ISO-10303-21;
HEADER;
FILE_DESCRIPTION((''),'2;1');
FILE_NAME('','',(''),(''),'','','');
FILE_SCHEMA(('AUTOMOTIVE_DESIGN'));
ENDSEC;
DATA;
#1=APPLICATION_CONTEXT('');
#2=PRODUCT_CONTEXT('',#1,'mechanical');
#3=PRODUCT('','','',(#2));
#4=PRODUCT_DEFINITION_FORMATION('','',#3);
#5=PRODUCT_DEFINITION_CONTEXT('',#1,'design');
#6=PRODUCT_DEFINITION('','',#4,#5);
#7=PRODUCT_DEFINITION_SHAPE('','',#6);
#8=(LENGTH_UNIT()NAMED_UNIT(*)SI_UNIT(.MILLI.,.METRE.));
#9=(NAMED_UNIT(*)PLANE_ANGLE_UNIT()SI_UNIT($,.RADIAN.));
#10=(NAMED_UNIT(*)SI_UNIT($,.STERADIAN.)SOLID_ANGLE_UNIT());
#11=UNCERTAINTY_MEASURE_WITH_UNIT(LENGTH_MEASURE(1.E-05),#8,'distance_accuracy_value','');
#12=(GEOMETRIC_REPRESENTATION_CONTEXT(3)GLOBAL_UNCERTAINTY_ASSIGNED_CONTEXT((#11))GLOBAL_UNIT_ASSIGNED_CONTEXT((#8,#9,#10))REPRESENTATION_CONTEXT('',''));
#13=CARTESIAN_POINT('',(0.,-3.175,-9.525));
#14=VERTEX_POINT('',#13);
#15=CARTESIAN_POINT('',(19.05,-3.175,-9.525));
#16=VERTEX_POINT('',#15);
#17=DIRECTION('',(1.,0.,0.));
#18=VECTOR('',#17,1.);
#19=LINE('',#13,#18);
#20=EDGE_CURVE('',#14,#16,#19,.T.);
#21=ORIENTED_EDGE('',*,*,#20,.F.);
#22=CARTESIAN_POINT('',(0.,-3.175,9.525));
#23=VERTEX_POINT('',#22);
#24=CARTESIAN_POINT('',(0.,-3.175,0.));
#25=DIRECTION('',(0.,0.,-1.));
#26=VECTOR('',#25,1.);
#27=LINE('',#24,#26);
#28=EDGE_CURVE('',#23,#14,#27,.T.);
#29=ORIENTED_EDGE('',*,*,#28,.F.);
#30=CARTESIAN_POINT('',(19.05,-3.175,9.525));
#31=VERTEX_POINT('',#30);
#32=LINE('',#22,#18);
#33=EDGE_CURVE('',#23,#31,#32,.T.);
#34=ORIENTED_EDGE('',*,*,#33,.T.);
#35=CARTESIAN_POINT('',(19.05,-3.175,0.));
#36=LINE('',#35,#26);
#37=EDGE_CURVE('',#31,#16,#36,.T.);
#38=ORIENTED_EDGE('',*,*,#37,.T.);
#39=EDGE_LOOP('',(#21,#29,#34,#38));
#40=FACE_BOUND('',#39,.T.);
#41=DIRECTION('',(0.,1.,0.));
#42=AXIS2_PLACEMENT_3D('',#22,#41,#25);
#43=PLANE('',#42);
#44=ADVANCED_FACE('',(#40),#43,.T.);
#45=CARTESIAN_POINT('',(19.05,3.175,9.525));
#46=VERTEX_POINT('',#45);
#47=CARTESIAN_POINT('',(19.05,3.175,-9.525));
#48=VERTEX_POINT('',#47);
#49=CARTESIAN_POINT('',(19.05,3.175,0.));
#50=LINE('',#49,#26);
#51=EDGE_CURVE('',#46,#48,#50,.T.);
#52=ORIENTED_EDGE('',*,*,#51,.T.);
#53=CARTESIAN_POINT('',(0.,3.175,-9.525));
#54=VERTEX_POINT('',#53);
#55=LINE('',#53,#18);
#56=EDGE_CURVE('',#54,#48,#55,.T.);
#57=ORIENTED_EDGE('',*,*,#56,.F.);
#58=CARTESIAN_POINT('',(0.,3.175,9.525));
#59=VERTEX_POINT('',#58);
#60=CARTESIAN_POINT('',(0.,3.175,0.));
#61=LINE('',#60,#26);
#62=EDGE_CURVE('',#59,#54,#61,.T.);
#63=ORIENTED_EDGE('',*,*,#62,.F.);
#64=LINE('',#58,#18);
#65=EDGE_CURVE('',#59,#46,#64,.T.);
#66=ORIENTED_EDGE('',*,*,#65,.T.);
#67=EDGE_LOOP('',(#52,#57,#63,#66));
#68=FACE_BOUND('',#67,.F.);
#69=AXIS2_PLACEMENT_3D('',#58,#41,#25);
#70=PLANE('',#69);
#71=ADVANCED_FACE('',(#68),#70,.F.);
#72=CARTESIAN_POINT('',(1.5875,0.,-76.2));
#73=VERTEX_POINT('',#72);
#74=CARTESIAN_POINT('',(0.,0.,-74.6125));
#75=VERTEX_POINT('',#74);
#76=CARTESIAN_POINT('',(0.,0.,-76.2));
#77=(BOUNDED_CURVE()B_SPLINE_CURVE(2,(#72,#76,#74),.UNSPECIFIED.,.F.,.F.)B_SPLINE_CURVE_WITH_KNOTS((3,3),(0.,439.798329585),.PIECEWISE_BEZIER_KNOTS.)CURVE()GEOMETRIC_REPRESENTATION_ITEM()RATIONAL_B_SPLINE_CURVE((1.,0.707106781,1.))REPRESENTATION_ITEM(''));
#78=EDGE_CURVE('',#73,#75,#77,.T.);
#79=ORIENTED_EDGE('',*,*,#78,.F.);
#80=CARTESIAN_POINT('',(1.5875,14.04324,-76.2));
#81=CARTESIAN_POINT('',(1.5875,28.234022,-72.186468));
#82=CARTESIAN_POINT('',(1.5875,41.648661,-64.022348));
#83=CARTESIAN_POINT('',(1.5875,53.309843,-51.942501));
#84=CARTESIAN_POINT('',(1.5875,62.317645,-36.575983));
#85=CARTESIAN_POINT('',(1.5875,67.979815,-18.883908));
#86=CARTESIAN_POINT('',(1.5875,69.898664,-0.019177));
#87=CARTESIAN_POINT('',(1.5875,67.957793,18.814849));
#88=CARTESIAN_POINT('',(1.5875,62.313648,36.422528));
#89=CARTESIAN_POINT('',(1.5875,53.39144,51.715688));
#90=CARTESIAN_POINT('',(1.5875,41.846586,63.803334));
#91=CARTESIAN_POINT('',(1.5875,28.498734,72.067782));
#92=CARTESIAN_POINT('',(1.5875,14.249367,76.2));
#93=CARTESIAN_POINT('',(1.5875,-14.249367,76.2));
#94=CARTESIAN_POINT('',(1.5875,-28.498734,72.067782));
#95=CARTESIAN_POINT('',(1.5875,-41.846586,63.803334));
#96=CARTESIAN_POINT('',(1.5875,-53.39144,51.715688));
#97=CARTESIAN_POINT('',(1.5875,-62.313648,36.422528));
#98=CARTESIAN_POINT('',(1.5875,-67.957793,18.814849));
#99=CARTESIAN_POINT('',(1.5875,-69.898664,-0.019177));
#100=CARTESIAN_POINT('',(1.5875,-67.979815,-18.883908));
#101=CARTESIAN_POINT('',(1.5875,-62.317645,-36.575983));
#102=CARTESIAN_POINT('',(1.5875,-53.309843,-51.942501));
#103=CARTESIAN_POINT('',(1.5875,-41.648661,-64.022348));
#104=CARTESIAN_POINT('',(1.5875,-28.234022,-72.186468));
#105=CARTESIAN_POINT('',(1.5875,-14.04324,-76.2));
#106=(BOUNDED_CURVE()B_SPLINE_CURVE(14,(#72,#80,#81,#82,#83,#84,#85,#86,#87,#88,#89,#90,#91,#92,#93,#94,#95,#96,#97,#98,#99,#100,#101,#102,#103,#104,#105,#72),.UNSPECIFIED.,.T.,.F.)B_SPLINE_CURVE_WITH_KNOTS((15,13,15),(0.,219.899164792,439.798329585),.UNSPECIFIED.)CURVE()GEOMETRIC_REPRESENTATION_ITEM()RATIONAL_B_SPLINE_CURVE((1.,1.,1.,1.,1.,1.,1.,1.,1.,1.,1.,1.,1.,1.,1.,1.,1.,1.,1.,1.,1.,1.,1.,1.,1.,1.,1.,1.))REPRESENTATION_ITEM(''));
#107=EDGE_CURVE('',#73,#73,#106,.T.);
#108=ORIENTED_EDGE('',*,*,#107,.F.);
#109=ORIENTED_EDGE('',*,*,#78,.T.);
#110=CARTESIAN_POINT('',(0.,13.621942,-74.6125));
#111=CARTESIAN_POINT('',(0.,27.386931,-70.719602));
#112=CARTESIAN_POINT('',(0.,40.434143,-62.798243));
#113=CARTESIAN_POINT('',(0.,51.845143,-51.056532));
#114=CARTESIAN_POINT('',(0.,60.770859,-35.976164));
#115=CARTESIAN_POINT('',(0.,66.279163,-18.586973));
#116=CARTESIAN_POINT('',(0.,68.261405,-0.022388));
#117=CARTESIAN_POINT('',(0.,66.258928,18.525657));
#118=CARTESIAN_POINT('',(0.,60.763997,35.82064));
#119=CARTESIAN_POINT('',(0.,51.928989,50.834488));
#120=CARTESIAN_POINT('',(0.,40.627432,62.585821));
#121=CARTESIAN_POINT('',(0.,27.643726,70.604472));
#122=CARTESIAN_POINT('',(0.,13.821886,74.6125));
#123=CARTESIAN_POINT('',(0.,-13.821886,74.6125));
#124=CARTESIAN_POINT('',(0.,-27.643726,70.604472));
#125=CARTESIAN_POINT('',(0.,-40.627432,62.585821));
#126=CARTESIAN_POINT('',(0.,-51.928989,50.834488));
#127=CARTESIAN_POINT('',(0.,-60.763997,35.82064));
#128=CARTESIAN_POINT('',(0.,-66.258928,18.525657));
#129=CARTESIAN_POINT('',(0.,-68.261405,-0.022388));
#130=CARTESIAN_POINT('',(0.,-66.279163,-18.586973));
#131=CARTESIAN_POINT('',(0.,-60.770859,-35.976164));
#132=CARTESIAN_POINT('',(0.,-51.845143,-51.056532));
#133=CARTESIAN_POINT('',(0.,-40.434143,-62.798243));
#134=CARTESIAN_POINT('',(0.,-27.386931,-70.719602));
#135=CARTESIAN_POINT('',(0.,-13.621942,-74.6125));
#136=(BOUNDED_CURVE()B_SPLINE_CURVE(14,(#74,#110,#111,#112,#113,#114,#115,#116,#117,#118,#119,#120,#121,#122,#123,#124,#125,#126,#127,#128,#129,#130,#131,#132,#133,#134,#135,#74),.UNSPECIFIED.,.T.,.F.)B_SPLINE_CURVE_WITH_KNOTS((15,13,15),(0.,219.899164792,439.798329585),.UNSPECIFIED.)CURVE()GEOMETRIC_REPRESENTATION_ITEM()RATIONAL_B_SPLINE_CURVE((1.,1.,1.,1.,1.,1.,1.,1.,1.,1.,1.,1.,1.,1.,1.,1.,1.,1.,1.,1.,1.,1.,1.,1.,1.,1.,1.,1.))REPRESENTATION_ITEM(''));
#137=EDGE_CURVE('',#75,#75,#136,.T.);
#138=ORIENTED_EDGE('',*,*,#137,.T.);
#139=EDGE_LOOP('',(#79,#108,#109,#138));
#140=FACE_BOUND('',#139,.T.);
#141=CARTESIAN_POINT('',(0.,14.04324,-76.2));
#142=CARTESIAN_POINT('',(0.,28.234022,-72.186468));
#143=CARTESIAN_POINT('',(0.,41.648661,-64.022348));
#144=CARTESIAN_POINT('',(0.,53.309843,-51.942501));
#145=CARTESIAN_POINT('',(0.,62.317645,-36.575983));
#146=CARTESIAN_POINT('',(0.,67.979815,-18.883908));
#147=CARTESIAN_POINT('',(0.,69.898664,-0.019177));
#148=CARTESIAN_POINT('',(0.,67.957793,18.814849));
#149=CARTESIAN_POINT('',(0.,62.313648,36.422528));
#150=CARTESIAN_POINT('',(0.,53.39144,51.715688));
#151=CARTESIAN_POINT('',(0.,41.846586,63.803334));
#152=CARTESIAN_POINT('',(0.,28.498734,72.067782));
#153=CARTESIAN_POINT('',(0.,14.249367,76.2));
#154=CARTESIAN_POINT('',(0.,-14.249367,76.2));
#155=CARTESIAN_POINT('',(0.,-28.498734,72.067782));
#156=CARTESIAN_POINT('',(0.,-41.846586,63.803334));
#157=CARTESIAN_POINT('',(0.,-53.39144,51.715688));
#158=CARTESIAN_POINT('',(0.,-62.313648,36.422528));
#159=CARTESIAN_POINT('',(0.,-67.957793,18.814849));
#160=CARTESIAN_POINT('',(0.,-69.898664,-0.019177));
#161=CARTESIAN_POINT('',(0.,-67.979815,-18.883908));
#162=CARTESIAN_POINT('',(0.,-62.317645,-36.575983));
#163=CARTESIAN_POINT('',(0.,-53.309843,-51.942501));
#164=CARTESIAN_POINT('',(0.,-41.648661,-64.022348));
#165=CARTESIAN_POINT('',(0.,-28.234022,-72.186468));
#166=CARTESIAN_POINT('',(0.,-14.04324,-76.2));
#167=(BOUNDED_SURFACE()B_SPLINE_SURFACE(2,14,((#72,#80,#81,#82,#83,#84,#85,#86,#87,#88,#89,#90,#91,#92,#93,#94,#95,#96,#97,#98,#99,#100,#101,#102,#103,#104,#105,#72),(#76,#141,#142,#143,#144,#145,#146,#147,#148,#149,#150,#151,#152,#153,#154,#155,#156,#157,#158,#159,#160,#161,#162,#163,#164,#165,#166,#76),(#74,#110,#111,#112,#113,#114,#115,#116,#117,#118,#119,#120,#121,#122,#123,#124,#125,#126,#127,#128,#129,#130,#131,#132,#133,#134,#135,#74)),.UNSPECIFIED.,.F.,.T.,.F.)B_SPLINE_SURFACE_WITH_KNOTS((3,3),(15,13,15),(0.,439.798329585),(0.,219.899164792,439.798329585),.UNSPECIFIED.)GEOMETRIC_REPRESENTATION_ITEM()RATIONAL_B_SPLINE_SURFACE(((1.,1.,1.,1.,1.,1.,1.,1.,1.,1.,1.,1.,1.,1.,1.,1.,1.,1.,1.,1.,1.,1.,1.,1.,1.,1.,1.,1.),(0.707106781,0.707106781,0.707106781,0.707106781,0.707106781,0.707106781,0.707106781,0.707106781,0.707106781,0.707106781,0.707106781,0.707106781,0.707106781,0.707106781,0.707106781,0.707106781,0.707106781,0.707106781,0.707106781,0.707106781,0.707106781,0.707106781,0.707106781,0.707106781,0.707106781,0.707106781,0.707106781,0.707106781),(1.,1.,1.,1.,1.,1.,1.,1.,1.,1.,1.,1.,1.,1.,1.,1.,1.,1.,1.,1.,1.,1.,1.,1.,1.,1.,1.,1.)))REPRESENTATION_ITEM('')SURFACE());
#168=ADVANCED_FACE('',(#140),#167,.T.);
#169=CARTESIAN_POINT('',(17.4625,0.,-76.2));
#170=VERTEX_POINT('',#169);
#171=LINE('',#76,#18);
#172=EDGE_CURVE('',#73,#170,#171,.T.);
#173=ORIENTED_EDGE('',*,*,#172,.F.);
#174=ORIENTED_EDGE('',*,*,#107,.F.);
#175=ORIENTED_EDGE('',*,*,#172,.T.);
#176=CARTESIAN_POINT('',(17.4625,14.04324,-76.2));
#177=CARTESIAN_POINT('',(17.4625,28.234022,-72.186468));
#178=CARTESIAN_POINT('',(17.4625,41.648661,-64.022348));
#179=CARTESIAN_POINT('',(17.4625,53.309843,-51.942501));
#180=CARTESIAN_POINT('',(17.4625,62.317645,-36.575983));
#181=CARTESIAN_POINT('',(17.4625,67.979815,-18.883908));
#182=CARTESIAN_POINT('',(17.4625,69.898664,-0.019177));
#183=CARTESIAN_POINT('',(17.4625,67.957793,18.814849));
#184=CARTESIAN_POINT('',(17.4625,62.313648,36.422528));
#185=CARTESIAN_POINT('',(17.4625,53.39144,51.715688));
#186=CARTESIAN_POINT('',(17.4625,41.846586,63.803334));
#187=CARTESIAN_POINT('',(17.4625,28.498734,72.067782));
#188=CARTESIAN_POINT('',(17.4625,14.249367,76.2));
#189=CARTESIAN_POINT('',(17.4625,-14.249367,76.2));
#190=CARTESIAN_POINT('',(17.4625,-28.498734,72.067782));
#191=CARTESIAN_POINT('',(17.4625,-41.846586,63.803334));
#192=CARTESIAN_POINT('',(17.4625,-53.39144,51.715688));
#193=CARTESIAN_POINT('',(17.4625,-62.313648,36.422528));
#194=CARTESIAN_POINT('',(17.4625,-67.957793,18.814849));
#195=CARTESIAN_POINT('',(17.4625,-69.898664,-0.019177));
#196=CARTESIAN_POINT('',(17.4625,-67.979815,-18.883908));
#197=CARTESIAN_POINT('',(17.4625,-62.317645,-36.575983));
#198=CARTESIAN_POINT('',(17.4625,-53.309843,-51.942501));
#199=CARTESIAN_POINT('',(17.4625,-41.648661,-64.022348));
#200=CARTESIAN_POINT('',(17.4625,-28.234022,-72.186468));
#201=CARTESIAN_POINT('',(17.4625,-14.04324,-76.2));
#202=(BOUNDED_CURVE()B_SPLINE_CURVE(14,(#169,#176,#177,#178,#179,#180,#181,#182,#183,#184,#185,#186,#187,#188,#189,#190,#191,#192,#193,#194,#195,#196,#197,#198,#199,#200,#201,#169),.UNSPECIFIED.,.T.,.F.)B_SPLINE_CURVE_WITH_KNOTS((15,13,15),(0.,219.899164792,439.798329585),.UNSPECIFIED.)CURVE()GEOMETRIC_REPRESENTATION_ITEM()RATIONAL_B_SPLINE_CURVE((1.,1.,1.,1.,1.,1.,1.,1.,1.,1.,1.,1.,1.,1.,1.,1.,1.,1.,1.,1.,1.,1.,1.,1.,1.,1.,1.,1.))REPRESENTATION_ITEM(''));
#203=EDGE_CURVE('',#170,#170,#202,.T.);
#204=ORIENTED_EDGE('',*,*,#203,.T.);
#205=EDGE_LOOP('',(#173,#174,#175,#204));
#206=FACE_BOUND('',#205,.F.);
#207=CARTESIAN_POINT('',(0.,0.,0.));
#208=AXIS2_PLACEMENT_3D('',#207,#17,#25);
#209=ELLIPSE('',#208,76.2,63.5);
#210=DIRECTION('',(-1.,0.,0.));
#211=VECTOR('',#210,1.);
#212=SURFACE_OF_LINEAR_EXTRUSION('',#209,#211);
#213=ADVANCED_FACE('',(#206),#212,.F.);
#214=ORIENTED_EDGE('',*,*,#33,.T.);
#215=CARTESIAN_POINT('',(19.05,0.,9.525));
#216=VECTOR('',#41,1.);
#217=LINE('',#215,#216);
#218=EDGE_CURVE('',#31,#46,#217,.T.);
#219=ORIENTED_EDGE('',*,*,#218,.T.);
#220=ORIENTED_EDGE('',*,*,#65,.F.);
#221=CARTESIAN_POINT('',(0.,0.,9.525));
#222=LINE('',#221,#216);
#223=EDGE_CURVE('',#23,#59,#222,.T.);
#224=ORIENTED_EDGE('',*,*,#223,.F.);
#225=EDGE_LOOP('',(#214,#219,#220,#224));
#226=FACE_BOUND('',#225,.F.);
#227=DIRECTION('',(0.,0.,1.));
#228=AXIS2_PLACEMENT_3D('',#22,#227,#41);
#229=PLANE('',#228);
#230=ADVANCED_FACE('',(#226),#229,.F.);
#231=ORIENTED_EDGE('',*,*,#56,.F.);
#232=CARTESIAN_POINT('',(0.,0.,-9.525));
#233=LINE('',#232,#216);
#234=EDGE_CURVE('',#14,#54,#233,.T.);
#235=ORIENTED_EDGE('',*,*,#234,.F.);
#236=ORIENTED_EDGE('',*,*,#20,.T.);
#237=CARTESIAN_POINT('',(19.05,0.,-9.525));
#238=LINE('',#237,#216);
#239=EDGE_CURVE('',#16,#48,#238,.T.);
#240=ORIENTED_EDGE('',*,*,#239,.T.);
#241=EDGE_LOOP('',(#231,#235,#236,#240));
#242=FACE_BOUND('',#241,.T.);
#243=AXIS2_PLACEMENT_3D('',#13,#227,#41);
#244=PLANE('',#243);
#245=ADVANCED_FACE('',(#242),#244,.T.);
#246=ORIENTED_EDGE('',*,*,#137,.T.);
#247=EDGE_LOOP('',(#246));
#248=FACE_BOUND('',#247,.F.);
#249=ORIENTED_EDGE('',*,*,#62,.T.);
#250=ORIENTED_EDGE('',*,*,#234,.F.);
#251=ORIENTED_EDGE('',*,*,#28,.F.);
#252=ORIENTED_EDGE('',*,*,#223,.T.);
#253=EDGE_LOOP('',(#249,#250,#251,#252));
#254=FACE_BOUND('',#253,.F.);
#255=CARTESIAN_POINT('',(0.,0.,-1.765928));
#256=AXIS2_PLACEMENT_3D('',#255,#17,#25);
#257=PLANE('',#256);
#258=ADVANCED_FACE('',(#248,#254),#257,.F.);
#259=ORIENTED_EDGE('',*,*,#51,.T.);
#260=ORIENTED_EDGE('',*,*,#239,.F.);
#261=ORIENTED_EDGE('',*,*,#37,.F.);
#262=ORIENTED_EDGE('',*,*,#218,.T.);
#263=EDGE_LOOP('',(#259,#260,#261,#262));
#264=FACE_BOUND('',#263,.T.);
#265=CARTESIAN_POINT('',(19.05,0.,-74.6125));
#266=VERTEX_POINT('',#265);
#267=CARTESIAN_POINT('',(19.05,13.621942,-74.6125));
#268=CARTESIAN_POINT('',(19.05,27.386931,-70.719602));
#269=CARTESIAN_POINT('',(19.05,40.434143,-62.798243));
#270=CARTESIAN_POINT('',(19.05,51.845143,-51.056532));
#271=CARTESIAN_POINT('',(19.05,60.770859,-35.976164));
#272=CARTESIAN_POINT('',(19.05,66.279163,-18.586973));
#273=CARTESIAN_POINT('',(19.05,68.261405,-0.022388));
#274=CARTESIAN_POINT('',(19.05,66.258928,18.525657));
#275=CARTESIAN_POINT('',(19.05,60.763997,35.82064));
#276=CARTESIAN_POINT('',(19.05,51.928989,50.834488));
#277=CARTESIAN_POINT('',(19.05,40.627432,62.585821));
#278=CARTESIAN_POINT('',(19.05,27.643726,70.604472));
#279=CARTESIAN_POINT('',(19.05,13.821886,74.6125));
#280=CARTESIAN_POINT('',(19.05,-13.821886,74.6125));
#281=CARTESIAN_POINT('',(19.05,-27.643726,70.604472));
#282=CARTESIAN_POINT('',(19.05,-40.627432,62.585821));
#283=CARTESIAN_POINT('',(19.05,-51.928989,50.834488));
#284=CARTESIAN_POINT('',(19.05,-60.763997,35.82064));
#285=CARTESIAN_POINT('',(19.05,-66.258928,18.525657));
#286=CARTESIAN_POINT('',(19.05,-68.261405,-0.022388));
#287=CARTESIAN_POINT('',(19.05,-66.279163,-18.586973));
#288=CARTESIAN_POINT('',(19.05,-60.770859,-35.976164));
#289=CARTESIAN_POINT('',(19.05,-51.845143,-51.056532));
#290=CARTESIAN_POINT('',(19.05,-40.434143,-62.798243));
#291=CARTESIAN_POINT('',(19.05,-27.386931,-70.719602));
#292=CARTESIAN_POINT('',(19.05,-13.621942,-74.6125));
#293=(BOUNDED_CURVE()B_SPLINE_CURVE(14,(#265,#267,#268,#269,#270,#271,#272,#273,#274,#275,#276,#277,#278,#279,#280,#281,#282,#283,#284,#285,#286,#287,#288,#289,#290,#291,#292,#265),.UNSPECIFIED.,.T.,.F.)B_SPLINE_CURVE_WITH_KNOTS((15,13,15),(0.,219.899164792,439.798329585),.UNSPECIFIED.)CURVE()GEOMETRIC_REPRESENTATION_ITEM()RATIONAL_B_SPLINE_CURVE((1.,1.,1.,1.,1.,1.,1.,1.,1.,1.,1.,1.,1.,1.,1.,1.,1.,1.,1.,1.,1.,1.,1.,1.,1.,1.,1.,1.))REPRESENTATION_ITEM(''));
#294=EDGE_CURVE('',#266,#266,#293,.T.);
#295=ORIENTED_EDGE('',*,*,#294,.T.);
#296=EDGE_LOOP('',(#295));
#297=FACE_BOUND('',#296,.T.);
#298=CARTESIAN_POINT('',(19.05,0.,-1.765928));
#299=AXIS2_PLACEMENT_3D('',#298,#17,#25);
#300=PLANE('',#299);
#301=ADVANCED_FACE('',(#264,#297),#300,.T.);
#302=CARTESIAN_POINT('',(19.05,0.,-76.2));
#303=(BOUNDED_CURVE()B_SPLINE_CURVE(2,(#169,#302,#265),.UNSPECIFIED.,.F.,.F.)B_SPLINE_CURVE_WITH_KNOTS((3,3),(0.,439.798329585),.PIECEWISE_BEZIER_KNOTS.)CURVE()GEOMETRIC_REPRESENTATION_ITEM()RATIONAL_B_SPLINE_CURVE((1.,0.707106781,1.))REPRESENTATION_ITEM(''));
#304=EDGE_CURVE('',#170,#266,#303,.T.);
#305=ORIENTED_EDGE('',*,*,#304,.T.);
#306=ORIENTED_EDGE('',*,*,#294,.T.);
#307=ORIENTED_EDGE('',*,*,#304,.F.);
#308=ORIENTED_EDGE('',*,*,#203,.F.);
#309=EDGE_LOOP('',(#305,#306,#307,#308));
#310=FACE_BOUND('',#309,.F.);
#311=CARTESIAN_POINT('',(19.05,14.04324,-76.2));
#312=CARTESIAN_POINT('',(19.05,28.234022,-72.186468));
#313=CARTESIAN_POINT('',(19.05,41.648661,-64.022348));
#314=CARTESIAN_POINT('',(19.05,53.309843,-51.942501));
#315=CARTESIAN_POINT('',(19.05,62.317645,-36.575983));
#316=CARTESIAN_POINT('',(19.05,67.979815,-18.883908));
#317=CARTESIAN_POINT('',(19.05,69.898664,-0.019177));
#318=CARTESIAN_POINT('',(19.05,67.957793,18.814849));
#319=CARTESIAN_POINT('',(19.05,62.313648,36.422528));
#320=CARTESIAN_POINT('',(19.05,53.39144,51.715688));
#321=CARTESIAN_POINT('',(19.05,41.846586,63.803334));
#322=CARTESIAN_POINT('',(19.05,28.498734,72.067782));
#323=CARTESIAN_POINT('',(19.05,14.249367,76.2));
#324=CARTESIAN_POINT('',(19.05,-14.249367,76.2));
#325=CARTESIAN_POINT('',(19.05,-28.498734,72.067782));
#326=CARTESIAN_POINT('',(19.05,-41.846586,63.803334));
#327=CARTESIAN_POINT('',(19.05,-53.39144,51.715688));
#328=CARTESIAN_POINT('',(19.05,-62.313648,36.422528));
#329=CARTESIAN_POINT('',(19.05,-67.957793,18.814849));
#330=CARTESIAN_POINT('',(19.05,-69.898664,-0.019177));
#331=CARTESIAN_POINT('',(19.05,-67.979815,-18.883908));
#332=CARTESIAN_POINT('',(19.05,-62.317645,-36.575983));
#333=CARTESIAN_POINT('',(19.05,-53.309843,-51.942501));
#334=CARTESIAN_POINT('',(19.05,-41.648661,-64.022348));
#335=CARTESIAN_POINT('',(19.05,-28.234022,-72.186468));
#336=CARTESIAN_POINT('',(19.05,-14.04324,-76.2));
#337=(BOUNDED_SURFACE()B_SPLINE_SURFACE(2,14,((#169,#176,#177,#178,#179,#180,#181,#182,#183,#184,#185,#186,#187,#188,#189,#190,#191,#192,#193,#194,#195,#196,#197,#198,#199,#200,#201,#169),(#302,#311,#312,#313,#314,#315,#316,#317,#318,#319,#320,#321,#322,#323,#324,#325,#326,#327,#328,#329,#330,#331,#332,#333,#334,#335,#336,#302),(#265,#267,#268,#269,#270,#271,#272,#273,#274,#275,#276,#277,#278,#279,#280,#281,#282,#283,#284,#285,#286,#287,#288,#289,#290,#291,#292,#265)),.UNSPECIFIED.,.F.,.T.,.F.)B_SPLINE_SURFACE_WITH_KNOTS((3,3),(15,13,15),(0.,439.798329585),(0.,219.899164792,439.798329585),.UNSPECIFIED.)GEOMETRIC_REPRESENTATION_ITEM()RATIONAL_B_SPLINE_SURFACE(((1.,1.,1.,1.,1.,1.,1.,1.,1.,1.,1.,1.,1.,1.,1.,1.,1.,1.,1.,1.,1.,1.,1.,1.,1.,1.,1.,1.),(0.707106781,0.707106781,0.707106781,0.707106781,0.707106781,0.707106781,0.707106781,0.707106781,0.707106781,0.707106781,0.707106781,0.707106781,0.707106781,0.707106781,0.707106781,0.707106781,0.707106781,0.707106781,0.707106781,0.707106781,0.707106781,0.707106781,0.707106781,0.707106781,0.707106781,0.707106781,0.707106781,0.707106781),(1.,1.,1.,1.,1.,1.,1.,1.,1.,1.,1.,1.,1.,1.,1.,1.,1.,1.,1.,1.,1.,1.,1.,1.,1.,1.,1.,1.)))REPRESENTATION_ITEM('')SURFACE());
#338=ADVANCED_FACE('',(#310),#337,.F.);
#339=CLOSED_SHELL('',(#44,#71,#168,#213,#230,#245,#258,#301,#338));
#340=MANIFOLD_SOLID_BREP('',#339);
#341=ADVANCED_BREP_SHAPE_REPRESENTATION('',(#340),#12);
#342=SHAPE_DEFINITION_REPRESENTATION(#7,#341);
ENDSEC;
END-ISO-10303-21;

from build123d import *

# Parameters (mm, degrees)
SKETCH1_RX          = 76.2
SKETCH1_RY          = 63.5
SKETCH1_W           = 19.05
SKETCH1_H           = 6.35
BOSS_EXTRUDE1_DEPTH = 19.05
FILLET1_R           = 1.5875


with BuildPart() as part:
    # Sketch1 → Boss-Extrude1 (new body)
    with BuildSketch(Plane(origin=(0, 0, 0), x_dir=(0, 0, -1), z_dir=(1, 0, 0))):
        with Locations((0, 0)):
            Ellipse(SKETCH1_RX, SKETCH1_RY)
        Rectangle(SKETCH1_W, SKETCH1_H, mode=Mode.SUBTRACT)
    extrude(amount=BOSS_EXTRUDE1_DEPTH)

    # Fillet1
    fillet1_edges = [part.edges().sort_by_distance(p)[0] for p in [
        (0, -0.005294399, 76.199999735),
        (19.05, -0.005294399, 76.199999735),
    ]]
    fillet(fillet1_edges, radius=FILLET1_R)


solid = part.part
